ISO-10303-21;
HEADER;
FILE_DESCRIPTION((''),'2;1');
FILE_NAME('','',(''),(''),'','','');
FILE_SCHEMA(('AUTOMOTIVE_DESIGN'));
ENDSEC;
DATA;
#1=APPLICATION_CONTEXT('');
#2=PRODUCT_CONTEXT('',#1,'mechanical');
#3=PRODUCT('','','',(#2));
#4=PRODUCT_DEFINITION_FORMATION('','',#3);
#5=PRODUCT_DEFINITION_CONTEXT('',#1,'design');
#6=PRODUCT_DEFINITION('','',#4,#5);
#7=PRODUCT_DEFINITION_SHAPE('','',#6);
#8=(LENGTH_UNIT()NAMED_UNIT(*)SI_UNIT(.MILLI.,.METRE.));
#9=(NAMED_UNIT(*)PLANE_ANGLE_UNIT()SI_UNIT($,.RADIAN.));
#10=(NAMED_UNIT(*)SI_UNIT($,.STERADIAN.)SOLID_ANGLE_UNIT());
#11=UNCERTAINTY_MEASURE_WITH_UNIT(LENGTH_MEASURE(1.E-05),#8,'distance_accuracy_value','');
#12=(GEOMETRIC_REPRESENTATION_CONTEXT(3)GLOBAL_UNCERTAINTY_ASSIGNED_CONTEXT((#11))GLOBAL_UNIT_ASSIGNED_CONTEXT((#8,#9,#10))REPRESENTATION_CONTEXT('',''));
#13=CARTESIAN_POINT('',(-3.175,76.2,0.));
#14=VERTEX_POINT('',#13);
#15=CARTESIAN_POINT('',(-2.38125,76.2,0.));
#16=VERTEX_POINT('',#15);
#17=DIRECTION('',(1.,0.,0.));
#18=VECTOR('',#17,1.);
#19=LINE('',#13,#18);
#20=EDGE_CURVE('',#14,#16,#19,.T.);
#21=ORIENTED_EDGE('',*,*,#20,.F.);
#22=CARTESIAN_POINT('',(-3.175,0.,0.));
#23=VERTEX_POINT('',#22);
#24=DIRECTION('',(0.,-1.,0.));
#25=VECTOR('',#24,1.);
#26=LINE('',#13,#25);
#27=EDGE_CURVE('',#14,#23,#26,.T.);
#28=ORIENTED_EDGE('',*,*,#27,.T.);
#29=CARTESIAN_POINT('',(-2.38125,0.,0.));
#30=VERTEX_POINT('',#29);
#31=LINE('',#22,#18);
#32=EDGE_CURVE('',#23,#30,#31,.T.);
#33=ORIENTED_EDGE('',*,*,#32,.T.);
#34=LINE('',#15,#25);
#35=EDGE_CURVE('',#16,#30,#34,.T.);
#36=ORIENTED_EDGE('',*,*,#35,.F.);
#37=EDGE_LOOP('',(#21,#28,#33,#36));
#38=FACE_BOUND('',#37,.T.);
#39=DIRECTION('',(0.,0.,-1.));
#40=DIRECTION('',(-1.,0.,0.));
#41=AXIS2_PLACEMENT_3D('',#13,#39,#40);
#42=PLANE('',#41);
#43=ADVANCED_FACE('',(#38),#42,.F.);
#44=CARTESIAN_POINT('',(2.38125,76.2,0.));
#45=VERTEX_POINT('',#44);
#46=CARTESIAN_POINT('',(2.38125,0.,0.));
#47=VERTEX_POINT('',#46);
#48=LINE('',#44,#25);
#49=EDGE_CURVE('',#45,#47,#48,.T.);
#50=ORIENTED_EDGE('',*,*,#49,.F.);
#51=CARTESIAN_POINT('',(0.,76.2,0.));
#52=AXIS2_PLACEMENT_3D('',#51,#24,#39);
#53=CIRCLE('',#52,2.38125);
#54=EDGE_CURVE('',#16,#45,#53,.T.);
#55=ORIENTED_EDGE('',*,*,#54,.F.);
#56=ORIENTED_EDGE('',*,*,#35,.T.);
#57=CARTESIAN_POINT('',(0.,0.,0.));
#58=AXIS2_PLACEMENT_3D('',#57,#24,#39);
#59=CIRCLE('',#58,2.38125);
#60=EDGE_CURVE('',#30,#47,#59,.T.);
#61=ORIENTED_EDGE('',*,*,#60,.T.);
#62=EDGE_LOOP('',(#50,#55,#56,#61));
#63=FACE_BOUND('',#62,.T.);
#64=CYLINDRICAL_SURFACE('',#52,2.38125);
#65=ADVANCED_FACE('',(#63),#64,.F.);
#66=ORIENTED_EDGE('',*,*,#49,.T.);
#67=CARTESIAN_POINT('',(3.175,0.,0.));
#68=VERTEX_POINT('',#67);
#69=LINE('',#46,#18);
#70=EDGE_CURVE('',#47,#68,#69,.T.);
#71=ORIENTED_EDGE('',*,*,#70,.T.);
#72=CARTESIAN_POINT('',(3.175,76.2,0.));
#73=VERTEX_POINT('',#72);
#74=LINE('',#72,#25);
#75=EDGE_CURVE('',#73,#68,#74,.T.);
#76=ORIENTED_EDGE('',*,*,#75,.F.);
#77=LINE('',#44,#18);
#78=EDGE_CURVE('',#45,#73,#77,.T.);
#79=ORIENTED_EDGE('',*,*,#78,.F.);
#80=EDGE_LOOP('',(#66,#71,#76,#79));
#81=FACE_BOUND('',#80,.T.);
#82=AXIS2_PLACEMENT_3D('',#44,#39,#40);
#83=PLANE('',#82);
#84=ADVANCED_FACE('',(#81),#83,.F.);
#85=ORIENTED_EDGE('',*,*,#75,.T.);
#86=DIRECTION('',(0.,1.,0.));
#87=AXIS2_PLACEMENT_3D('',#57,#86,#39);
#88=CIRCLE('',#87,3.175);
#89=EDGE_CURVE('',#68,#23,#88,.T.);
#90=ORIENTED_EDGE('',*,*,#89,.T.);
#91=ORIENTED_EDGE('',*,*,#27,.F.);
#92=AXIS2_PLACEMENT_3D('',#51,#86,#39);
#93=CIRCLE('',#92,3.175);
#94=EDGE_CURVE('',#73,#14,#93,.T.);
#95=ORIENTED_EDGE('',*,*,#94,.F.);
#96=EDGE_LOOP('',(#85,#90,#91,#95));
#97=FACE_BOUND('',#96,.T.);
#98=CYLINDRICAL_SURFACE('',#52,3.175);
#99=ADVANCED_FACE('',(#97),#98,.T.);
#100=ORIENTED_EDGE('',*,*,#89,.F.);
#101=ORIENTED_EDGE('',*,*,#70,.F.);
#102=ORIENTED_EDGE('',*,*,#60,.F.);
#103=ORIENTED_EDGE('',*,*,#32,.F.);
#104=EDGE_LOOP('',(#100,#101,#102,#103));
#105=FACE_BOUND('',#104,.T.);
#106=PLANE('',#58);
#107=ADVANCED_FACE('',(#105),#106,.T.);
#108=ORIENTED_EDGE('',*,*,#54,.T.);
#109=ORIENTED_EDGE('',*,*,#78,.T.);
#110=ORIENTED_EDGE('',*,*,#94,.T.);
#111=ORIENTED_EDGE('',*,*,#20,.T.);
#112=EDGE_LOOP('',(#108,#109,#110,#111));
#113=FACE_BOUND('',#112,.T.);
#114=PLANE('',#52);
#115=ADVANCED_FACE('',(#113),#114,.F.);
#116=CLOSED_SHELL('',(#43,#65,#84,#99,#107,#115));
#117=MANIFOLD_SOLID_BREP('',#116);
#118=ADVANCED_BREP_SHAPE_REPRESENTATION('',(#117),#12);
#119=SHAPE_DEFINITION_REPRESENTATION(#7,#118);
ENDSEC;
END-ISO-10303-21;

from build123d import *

# Parameters (mm, degrees)
BOSS_EXTRUDE1_DEPTH = 76.2


with BuildPart() as part:
    # Sketch1 → Boss-Extrude1 (new body)
    with BuildSketch(Plane(origin=(0, 0, 0), x_dir=(1, 0, 0), z_dir=(0, 1, 0))):
        with BuildLine():
            Line((-3.175, 0), (-2.38125, 0))
            ThreePointArc((-2.38125, 0), (0, 2.38125), (2.38125, 0))
            Line((2.38125, 0), (3.175, 0))
            ThreePointArc((3.175, 0), (0, 3.175), (-3.175, 0))
        make_face()
    extrude(amount=BOSS_EXTRUDE1_DEPTH)


solid = part.part
